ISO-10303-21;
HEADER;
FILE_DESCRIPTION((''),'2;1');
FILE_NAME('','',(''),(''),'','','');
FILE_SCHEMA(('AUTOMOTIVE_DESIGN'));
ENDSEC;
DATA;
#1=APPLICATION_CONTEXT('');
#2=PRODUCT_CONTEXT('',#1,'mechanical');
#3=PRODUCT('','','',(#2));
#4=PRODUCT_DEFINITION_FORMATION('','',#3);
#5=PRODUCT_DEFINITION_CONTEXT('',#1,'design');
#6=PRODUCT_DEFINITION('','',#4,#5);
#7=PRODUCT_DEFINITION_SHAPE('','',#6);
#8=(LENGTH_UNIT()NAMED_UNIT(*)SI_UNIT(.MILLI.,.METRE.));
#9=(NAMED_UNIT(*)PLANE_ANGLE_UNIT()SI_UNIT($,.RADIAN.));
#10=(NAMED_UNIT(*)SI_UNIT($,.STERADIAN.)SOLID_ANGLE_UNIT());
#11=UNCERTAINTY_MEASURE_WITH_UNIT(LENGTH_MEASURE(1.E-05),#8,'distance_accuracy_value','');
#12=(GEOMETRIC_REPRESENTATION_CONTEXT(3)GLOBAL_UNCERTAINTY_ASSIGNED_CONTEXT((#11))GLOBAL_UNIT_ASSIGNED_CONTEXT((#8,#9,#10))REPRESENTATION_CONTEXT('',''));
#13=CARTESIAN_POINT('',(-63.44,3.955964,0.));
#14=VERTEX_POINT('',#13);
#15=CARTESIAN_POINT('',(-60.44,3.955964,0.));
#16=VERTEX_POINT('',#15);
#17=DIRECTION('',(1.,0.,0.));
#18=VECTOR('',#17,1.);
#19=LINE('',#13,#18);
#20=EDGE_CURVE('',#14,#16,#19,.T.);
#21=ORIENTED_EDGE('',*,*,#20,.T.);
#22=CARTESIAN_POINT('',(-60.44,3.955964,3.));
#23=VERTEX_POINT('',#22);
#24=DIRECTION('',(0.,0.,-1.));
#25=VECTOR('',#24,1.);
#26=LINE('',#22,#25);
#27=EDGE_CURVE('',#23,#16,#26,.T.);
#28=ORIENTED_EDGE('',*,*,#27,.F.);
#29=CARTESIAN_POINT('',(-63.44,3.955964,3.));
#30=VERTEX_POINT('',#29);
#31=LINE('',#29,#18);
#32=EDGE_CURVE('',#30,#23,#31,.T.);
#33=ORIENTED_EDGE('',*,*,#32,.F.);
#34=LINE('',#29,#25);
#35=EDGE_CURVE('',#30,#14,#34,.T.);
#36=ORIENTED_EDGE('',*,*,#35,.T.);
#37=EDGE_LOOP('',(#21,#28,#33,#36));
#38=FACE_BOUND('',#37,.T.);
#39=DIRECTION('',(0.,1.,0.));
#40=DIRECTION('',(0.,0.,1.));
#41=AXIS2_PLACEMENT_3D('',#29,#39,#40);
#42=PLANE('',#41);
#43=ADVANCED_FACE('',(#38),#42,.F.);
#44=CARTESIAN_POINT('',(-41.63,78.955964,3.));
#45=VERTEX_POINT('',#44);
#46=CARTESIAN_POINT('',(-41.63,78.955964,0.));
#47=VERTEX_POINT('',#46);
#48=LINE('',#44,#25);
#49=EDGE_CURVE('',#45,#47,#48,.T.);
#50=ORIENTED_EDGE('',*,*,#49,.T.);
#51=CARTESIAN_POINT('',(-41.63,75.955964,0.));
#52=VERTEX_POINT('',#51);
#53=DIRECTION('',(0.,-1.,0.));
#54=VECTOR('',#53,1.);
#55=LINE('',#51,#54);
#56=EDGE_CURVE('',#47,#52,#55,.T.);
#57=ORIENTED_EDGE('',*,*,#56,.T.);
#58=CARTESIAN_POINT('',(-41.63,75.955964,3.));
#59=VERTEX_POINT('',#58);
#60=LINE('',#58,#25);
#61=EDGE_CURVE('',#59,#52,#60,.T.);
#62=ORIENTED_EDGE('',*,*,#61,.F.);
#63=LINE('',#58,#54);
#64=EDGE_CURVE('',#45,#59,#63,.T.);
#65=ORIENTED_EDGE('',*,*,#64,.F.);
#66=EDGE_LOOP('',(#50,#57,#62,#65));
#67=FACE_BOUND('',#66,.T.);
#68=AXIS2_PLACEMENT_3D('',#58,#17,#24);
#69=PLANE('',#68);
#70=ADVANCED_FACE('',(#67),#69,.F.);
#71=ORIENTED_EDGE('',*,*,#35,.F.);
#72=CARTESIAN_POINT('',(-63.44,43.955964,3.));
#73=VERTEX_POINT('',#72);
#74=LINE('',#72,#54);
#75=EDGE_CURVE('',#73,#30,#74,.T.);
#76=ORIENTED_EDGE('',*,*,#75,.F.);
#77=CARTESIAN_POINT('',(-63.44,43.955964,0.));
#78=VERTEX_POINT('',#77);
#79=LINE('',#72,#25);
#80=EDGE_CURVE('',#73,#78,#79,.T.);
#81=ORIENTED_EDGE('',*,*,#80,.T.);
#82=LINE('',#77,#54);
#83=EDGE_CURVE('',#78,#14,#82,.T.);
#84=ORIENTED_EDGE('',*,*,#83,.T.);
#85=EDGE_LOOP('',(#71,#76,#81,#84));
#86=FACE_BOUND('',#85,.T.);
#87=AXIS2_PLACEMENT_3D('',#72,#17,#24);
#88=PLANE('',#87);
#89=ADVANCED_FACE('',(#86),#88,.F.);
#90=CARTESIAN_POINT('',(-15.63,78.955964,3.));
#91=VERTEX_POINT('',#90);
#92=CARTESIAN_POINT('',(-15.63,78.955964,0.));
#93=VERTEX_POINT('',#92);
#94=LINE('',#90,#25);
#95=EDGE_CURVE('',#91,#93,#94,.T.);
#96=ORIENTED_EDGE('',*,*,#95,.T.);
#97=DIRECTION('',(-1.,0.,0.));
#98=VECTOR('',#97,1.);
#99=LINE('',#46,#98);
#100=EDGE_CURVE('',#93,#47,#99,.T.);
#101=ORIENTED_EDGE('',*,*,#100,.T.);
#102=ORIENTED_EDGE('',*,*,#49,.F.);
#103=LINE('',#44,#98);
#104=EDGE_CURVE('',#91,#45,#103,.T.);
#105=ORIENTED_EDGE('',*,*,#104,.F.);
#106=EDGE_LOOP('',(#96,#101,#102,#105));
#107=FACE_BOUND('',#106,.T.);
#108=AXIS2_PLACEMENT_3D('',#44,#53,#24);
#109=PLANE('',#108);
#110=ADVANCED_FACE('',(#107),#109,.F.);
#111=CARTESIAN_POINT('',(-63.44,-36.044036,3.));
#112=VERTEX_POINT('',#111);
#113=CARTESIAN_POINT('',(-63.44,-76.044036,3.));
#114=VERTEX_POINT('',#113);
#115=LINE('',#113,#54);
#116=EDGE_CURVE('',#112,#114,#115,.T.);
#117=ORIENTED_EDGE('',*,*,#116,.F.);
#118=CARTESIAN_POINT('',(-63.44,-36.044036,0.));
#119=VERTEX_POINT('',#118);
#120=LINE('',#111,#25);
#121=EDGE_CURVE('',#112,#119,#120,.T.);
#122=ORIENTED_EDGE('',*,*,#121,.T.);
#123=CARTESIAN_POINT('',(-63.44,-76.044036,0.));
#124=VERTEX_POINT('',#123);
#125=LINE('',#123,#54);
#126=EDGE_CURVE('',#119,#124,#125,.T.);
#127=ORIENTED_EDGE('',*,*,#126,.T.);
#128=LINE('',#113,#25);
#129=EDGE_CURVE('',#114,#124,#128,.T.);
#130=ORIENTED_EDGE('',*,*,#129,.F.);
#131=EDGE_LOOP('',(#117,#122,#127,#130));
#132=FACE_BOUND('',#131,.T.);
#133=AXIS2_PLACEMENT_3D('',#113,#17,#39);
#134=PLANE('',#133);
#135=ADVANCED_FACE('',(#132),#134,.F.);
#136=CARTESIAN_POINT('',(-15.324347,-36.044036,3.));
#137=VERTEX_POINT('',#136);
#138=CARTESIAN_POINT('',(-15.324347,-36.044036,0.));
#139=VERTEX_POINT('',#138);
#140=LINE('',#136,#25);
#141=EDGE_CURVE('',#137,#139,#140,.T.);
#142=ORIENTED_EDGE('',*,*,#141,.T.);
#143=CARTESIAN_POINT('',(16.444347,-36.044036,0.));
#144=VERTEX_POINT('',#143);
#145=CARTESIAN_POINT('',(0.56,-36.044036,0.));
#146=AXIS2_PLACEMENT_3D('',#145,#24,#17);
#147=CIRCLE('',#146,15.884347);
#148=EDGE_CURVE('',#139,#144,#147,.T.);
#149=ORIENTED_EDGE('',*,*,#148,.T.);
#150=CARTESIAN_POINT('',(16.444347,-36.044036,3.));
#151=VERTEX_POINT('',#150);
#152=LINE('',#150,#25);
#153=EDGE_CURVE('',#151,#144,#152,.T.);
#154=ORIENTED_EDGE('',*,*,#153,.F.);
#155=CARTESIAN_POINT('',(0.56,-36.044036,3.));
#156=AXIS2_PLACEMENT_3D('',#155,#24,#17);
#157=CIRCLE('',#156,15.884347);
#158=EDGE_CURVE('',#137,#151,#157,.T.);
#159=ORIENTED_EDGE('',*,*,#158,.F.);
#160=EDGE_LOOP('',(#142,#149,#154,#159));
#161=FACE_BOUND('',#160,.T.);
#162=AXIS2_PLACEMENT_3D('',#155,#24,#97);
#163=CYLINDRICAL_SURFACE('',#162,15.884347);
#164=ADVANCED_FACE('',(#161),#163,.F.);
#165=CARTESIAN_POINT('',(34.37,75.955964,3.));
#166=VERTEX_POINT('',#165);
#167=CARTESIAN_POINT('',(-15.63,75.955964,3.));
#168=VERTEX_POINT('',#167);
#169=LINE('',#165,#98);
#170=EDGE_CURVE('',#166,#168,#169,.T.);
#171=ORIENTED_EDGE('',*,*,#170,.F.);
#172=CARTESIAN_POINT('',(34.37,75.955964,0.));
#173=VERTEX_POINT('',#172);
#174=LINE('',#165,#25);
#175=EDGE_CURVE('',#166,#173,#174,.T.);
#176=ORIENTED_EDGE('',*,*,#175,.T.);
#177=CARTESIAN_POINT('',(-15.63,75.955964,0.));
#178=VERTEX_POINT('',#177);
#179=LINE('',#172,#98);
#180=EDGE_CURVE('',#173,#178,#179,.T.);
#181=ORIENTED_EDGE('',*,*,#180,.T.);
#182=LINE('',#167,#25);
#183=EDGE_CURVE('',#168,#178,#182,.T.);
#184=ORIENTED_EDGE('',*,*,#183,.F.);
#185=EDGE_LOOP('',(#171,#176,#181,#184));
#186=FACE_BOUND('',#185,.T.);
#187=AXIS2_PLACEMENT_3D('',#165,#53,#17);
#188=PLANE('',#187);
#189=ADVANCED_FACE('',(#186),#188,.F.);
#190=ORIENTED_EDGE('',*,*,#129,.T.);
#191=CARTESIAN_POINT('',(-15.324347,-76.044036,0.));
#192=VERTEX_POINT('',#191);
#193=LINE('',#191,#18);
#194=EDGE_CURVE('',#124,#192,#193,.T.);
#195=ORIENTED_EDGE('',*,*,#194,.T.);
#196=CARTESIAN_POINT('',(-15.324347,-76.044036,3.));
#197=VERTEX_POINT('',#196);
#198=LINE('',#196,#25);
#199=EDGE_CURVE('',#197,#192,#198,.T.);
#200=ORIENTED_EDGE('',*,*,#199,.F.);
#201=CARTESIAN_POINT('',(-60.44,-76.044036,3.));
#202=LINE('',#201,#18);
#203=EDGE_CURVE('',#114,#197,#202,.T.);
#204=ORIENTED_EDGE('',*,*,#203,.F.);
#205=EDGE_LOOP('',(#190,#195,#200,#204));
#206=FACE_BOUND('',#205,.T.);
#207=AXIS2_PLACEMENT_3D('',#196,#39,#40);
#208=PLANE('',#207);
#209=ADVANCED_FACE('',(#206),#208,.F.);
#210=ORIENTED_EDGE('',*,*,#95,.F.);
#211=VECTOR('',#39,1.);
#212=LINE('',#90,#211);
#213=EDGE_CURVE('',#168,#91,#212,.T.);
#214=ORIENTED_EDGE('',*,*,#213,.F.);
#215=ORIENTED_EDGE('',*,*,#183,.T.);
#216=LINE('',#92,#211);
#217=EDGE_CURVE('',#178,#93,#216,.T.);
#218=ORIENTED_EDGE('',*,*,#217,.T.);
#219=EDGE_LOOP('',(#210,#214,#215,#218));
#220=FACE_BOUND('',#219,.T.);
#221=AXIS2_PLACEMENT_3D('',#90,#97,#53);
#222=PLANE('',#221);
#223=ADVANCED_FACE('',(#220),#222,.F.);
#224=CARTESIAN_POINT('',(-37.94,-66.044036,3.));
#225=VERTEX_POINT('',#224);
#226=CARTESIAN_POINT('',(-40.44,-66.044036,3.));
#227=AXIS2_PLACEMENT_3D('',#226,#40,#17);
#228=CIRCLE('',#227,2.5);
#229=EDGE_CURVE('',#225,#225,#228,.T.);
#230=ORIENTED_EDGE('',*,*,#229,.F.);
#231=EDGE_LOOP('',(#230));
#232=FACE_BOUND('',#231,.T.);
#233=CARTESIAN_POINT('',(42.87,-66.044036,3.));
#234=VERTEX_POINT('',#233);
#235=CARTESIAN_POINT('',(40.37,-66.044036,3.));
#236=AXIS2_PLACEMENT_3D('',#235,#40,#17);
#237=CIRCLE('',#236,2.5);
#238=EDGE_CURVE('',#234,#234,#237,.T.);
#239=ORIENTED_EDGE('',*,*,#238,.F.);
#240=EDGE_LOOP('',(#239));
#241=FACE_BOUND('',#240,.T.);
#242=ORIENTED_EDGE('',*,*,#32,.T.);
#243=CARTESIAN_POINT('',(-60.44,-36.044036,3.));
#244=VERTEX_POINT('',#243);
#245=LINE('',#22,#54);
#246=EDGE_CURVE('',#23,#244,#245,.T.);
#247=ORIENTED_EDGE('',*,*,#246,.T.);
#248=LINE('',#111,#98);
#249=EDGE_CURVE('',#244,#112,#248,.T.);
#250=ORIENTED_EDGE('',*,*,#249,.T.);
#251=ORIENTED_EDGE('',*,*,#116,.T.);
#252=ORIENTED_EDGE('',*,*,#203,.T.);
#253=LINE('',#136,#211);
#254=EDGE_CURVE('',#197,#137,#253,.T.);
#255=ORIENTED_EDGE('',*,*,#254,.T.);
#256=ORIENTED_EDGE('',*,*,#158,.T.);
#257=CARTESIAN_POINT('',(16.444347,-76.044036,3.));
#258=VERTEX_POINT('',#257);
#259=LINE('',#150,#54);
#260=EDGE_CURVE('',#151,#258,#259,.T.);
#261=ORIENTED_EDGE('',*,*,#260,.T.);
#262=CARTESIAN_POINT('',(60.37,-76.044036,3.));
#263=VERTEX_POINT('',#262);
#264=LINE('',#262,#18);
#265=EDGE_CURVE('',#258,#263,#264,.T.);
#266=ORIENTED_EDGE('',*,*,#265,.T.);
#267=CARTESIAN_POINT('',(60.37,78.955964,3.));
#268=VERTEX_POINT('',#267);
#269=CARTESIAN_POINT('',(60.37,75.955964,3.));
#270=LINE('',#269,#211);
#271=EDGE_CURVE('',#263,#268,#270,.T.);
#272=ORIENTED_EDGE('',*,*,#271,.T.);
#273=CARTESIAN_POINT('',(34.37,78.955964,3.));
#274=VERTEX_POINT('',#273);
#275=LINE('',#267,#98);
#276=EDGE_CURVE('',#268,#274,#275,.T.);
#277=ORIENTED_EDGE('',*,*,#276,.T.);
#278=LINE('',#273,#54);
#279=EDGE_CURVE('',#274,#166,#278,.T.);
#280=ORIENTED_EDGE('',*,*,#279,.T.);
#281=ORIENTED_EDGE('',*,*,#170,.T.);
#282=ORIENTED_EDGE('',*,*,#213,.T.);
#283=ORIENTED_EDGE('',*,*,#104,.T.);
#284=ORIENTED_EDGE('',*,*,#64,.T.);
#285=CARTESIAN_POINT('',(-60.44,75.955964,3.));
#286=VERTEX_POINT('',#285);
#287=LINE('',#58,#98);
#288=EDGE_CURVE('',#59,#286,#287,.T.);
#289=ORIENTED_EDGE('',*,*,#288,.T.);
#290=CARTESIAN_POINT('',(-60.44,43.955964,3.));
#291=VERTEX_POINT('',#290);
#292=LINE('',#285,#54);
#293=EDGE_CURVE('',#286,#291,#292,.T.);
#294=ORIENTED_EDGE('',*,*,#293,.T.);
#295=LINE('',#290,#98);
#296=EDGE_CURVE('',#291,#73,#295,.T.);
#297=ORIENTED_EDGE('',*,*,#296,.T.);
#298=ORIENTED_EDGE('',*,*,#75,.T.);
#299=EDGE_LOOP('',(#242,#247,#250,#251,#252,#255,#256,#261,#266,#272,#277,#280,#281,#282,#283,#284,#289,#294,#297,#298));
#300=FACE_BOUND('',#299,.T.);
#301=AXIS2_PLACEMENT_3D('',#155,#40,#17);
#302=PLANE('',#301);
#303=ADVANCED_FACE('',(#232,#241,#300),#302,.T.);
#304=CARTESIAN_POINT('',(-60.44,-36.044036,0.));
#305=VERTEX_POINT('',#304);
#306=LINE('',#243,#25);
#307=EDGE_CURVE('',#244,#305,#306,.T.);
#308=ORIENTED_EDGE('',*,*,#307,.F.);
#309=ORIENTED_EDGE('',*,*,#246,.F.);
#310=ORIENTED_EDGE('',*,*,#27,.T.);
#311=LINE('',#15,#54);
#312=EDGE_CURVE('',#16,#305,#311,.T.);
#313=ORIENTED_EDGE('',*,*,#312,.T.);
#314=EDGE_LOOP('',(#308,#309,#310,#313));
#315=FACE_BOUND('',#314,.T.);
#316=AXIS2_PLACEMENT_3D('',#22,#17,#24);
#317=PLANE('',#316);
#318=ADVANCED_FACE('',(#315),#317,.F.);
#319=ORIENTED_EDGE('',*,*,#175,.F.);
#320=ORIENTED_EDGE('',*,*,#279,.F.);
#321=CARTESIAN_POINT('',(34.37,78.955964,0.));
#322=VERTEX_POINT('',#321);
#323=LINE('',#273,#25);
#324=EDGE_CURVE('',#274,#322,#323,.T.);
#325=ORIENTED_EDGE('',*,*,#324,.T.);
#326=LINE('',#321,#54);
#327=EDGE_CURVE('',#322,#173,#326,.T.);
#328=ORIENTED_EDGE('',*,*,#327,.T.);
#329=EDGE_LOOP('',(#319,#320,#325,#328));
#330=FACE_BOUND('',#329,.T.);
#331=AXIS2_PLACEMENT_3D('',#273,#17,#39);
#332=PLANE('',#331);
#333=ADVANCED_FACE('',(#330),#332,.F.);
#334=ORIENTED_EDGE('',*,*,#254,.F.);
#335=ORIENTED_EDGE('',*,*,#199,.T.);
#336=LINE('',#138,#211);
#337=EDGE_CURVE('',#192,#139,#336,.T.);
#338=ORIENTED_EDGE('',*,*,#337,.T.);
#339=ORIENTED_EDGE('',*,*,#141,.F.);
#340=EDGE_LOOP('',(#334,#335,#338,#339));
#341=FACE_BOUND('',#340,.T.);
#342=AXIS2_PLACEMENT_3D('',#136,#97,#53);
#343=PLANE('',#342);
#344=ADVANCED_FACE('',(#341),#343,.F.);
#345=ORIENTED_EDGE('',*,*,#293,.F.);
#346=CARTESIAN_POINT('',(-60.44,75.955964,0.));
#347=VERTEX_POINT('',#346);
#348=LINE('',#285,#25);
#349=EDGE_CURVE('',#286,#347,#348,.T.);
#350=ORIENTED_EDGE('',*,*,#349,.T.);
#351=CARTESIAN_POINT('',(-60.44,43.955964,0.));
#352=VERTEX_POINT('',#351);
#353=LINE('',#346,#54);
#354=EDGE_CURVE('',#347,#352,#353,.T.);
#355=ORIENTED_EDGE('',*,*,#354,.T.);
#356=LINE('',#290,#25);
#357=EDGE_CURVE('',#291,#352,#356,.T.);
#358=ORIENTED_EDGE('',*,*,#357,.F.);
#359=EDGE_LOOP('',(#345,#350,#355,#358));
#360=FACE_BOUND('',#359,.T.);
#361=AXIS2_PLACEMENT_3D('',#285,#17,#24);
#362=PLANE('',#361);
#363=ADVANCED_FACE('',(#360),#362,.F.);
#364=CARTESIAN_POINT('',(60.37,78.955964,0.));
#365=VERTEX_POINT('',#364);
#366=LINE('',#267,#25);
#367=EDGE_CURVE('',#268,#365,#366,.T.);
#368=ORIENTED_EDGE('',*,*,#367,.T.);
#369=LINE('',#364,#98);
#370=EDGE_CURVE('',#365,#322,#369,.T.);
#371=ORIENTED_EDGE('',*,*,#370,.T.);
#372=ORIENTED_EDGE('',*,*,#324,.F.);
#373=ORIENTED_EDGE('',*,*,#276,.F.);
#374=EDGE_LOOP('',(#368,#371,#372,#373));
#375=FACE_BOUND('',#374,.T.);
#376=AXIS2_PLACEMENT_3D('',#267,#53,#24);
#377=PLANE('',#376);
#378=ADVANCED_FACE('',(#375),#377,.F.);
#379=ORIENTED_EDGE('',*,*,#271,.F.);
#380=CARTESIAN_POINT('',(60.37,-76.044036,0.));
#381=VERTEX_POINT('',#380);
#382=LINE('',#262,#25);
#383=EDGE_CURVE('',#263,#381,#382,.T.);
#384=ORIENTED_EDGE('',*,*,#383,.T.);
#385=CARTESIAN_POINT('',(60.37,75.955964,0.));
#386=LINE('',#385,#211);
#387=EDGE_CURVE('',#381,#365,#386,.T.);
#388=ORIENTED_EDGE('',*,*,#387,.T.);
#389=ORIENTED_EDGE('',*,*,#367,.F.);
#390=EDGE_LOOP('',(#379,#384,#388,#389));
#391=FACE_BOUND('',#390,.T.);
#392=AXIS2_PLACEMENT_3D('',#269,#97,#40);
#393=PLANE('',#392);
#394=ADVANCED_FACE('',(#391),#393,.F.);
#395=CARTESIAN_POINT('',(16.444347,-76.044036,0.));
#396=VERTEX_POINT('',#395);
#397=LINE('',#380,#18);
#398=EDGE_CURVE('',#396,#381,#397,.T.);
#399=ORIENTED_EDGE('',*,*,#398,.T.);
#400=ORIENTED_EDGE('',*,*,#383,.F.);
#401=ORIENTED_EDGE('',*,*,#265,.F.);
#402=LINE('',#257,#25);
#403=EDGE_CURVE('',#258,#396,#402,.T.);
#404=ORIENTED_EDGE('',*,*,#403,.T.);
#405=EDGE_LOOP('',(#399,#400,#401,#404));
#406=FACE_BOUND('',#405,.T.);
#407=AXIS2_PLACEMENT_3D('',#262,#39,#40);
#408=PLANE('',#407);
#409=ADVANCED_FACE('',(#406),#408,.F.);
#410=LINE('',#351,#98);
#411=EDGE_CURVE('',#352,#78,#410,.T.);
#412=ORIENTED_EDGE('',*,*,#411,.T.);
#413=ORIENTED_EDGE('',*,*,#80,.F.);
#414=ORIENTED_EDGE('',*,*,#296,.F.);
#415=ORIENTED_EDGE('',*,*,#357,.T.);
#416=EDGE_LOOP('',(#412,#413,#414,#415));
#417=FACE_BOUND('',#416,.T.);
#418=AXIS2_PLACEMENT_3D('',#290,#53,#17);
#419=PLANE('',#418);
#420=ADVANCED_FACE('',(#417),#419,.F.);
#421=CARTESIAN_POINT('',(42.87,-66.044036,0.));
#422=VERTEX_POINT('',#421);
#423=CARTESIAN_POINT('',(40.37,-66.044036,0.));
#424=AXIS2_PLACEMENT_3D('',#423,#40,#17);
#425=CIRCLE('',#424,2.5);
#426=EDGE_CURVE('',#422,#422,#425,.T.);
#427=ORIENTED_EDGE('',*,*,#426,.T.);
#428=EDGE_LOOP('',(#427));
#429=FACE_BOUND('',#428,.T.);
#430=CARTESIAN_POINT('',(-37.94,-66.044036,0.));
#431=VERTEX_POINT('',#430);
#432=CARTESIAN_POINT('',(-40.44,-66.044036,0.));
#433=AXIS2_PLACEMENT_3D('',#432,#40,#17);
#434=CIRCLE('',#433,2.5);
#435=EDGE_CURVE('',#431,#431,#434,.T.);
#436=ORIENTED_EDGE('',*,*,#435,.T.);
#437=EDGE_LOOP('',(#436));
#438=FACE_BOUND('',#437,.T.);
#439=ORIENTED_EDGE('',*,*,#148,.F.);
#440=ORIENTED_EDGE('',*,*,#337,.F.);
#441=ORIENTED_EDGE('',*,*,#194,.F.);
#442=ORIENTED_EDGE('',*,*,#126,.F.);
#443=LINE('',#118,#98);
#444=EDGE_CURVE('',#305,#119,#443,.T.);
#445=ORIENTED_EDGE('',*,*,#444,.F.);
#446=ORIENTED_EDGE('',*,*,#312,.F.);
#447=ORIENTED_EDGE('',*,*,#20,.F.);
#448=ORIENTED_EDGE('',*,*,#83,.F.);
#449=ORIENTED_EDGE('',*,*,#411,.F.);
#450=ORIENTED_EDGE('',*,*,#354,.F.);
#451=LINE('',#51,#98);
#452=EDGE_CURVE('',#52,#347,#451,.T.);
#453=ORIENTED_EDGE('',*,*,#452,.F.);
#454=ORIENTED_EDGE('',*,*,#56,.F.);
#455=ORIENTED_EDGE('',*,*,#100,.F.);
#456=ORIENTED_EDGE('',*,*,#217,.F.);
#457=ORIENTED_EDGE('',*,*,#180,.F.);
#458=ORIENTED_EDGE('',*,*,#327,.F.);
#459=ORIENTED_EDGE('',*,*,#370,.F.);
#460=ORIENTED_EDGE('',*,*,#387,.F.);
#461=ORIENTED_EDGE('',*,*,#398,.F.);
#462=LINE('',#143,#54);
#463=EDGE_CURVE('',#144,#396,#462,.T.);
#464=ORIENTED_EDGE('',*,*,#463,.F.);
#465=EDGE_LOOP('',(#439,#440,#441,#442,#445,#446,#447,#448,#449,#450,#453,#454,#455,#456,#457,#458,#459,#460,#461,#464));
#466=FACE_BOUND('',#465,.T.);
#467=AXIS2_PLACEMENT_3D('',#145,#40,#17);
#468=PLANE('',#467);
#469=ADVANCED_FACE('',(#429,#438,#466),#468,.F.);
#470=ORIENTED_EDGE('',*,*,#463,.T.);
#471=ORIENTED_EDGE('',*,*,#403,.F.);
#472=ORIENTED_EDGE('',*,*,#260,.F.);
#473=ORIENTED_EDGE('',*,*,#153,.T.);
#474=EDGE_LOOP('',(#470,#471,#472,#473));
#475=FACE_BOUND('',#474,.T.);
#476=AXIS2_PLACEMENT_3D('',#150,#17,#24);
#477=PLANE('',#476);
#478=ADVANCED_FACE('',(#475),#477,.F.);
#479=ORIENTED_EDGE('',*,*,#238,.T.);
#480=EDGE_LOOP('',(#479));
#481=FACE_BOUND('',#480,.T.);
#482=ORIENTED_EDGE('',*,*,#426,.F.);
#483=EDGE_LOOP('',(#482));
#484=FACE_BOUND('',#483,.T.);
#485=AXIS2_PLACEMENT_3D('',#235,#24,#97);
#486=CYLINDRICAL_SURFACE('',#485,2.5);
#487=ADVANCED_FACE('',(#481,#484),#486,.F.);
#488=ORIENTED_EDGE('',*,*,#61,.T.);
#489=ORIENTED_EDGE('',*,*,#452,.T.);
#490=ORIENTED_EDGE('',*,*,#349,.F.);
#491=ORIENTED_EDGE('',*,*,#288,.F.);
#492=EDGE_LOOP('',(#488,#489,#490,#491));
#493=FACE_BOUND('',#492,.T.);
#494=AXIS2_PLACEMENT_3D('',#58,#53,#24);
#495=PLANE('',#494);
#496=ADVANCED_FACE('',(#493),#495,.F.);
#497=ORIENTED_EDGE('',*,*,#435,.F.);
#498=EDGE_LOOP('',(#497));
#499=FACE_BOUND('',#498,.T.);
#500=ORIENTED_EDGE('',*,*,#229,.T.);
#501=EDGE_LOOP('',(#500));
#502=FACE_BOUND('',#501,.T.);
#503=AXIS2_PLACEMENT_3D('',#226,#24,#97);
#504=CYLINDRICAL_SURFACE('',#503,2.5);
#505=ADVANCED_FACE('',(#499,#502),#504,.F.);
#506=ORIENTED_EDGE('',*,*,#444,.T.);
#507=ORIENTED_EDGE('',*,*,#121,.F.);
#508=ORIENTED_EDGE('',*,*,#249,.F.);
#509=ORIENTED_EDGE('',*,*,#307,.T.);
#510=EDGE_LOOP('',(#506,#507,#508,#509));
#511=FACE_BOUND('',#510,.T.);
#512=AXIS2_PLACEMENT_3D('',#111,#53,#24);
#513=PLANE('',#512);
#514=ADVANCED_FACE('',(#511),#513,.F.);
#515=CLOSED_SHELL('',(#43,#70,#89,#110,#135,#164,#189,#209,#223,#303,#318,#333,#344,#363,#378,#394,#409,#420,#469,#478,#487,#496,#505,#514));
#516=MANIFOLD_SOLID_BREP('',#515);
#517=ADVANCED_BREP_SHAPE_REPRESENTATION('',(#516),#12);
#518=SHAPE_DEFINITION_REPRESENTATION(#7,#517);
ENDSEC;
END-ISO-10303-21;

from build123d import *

# Parameters (mm, degrees)
SKETCH1_R           = 2.5
BOSS_EXTRUDE1_DEPTH = 3


with BuildPart() as part:
    # Sketch1 → Boss-Extrude1 (new body)
    with BuildSketch(Plane.XY):
        with BuildLine():
            Line((34.37, 75.95596391), (-15.63, 75.95596391))
            Line((-15.63, 75.95596391), (-15.63, 78.95596391))
            Line((-15.63, 78.95596391), (-41.63, 78.95596391))
            Line((-41.63, 78.95596391), (-41.63, 75.95596391))
            Line((-41.63, 75.95596391), (-60.44, 75.95596391))
            Line((-60.44, 75.95596391), (-60.44, 43.95596391))
            Line((-60.44, 43.95596391), (-63.44, 43.95596391))
            Line((-63.44, 43.95596391), (-63.44, 3.95596391))
            Line((-63.44, 3.95596391), (-60.44, 3.95596391))
            Line((-60.44, 3.95596391), (-60.44, -36.04403609))
            Line((-60.44, -36.04403609), (-63.44, -36.04403609))
            Line((-63.44, -36.04403609), (-63.44, -76.04403609))
            Line((-63.44, -76.04403609), (-60.44, -76.04403609))
            Line((-60.44, -76.04403609), (-15.324347337, -76.04403609))
            Line((-15.324347337, -76.04403609), (-15.324347337, -36.04403609))
            ThreePointArc((-15.324347337, -36.04403609), (0.56, -20.159688753), (16.444347337, -36.04403609))
            Line((16.444347337, -36.04403609), (16.444347337, -76.04403609))
            Line((16.444347337, -76.04403609), (60.37, -76.04403609))
            Line((60.37, -76.04403609), (60.37, 75.95596391))
            Line((60.37, 75.95596391), (60.37, 78.95596391))
            Line((60.37, 78.95596391), (34.37, 78.95596391))
            Line((34.37, 78.95596391), (34.37, 75.95596391))
        make_face()
        with Locations((-40.44, -66.04403609)):
            Circle(SKETCH1_R, mode=Mode.SUBTRACT)
        with Locations((40.37, -66.04403609)):
            Circle(SKETCH1_R, mode=Mode.SUBTRACT)
    extrude(amount=BOSS_EXTRUDE1_DEPTH)


solid = part.part
